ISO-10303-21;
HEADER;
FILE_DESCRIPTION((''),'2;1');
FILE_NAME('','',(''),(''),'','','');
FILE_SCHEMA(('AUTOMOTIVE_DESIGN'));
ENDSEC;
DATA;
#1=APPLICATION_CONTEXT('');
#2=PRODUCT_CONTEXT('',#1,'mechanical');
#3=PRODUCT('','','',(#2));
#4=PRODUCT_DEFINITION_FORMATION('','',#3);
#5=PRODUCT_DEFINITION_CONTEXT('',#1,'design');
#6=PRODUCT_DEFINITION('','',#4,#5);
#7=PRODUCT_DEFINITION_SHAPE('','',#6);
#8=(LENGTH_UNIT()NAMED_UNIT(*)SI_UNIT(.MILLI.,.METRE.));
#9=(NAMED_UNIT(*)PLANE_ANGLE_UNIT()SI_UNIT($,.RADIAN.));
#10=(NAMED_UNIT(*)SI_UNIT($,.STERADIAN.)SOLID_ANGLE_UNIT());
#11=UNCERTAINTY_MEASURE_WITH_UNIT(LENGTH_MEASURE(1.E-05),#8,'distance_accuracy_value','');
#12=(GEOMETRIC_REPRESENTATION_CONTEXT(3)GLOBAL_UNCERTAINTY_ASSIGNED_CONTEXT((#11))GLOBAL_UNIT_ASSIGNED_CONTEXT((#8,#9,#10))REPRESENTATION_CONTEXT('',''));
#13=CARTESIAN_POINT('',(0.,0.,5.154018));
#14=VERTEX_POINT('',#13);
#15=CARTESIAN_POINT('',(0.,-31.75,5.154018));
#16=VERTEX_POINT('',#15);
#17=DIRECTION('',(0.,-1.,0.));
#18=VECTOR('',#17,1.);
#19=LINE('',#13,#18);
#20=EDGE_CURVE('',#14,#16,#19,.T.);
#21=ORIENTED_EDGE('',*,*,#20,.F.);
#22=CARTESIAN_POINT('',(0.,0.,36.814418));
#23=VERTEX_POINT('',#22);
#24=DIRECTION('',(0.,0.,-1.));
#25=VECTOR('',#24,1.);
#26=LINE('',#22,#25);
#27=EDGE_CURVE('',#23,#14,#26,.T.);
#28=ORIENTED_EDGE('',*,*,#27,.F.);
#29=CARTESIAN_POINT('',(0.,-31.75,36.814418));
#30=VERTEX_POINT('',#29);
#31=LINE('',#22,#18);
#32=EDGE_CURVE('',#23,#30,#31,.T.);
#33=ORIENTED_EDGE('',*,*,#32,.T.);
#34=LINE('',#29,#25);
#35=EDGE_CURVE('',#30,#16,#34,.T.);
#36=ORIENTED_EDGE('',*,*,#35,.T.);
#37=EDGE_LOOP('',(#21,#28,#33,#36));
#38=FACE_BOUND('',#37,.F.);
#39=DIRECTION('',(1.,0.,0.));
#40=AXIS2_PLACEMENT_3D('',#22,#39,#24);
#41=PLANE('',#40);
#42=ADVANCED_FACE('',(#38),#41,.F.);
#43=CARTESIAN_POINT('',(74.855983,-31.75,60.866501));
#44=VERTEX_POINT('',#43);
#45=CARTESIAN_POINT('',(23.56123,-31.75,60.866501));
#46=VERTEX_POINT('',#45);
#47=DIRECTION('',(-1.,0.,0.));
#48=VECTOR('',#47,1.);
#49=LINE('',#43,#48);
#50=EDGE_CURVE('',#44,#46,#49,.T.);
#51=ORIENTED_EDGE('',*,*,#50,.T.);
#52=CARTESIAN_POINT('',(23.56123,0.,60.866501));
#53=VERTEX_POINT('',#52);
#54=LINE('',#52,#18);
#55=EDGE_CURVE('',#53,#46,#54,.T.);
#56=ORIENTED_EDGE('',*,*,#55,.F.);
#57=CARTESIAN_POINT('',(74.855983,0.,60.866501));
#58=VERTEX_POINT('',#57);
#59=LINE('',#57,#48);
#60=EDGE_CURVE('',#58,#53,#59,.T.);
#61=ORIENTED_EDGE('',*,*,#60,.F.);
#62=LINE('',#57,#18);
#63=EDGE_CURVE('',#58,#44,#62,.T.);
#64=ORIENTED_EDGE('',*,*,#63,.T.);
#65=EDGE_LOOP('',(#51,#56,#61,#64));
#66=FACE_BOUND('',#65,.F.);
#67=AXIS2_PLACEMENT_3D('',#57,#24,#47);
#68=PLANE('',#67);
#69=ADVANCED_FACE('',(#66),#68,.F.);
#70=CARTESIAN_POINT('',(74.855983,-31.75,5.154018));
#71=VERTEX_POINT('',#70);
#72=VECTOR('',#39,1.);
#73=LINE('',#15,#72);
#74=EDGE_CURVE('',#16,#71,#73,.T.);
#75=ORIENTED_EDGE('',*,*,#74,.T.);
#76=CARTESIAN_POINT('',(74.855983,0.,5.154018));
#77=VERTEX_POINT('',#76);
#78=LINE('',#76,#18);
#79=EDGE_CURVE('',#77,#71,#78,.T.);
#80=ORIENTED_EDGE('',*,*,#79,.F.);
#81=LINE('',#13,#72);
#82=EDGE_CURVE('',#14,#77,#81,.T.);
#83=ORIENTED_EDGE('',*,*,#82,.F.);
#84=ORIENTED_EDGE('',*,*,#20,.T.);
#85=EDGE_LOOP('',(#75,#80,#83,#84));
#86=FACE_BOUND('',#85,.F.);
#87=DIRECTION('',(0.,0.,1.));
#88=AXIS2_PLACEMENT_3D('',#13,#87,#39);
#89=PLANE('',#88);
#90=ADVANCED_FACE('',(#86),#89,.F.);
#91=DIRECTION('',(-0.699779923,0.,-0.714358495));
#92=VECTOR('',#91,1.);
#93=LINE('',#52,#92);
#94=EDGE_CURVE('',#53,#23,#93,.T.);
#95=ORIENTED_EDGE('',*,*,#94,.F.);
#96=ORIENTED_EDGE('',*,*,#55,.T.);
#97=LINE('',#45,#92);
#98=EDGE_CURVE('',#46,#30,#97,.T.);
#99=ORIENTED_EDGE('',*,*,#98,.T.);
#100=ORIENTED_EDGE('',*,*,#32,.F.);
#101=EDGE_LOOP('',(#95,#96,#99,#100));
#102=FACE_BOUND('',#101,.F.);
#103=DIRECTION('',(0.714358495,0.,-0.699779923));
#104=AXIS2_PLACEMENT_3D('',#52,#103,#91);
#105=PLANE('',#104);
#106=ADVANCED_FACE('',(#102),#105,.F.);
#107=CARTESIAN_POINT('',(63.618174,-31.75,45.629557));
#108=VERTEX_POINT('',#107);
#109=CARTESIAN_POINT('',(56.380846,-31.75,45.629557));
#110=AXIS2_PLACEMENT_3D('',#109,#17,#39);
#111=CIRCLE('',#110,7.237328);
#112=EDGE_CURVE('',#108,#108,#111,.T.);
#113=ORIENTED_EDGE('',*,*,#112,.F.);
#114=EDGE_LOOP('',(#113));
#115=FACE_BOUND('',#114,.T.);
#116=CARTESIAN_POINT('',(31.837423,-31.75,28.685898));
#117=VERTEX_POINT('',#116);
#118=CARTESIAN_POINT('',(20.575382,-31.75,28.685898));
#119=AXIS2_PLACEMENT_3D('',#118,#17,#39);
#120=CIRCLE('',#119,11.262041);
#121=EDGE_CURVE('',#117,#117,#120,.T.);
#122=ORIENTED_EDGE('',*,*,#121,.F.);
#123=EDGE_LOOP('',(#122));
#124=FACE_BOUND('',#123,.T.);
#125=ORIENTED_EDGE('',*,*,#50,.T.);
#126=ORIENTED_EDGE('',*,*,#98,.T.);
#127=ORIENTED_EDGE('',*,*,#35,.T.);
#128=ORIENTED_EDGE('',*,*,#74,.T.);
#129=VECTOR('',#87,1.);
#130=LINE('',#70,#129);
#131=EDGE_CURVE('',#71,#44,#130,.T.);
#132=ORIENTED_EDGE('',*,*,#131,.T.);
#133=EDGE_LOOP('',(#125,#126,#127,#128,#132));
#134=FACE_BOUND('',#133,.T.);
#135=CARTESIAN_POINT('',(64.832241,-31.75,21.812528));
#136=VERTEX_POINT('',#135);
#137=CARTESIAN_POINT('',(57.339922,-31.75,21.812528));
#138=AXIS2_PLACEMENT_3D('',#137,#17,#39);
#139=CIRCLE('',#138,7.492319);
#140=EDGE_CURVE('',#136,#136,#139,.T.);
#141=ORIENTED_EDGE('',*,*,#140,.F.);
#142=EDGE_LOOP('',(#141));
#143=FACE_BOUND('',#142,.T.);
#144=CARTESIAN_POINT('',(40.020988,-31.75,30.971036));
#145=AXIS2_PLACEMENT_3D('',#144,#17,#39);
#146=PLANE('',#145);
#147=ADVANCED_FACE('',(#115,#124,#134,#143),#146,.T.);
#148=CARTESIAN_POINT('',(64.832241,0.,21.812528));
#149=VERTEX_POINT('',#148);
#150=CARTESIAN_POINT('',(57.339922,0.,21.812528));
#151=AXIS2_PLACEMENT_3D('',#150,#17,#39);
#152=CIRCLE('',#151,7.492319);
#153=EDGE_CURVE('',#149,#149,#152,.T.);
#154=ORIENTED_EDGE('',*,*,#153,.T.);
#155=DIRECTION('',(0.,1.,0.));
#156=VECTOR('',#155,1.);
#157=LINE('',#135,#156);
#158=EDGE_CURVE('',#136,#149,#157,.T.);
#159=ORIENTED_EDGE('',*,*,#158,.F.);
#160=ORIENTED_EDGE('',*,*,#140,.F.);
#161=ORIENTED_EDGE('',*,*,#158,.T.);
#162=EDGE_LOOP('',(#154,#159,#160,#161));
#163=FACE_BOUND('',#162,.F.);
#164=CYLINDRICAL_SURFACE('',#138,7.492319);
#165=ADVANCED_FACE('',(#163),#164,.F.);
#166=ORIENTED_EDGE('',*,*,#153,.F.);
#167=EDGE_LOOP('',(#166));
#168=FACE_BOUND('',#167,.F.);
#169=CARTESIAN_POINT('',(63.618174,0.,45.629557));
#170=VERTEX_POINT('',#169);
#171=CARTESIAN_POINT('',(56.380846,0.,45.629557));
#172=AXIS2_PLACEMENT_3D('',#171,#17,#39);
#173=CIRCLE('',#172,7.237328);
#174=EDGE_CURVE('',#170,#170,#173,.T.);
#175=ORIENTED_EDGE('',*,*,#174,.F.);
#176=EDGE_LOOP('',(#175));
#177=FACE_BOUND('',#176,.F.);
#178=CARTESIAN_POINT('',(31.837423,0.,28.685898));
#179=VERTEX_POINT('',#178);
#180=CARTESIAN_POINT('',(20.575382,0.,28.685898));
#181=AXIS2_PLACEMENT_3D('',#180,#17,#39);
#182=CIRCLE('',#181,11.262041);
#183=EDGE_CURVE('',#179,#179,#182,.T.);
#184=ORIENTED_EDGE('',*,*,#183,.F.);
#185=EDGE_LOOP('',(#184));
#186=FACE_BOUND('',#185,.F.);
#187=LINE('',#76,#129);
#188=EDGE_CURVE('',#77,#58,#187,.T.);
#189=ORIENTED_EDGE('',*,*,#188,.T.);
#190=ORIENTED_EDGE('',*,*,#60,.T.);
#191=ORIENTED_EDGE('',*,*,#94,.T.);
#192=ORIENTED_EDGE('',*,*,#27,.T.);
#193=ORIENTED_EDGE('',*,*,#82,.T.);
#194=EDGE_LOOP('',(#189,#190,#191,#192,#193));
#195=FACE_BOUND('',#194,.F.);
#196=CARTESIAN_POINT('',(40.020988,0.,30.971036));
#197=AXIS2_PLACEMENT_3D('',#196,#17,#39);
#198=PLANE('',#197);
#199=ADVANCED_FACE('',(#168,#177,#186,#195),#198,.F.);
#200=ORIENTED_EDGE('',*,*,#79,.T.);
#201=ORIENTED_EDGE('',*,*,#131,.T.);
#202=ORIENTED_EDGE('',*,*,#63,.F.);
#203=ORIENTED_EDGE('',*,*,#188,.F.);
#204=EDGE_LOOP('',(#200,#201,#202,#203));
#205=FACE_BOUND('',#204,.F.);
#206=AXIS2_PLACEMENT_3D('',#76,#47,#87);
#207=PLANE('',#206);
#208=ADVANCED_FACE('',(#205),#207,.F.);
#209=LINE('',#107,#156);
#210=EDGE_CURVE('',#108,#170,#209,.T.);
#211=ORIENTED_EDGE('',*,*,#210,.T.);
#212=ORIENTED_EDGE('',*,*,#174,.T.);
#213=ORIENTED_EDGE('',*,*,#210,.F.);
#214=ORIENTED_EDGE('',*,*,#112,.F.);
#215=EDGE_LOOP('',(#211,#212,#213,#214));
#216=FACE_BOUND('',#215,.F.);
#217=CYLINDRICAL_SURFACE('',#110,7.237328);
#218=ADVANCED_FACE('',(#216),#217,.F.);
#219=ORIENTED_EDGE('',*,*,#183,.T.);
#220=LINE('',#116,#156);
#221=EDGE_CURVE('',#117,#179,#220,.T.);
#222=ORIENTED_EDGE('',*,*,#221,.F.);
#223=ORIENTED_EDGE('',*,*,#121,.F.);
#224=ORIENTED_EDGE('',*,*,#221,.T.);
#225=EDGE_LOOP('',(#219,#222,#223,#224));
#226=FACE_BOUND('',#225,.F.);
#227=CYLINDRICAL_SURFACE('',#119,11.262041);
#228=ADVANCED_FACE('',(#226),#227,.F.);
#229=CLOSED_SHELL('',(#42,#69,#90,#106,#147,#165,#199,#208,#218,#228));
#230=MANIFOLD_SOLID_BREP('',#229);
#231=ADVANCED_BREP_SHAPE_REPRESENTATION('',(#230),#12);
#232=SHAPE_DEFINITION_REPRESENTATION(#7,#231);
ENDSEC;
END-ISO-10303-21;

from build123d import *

# Parameters (mm, degrees)
F1_DEPTH = 31.75
F2_R     = 7.237328
F2_R_2   = 7.492319
F2_R_3   = 11.262041
F3_DEPTH = 76.2


with BuildPart() as f1:
    # F0 (on Front) → F1 (new body)
    with BuildSketch(Plane.XZ):
        Polygon((23.56123, 60.866501), (0, 36.814418), (0, 5.154018), (74.855983, 5.154018), (74.855983, 60.866501), align=None)
    extrude(amount=F1_DEPTH)

    # F2 (on face) → F3 (cut)
    with BuildSketch(Plane.XZ.offset(31.75)):
        with Locations((56.380846, 45.629557)):
            Circle(F2_R)
        with Locations((57.339922, 21.812528)):
            Circle(F2_R_2)
        with Locations((20.575382, 28.685898)):
            Circle(F2_R_3)
    extrude(amount=-F3_DEPTH, mode=Mode.SUBTRACT)


solid = f1.part
